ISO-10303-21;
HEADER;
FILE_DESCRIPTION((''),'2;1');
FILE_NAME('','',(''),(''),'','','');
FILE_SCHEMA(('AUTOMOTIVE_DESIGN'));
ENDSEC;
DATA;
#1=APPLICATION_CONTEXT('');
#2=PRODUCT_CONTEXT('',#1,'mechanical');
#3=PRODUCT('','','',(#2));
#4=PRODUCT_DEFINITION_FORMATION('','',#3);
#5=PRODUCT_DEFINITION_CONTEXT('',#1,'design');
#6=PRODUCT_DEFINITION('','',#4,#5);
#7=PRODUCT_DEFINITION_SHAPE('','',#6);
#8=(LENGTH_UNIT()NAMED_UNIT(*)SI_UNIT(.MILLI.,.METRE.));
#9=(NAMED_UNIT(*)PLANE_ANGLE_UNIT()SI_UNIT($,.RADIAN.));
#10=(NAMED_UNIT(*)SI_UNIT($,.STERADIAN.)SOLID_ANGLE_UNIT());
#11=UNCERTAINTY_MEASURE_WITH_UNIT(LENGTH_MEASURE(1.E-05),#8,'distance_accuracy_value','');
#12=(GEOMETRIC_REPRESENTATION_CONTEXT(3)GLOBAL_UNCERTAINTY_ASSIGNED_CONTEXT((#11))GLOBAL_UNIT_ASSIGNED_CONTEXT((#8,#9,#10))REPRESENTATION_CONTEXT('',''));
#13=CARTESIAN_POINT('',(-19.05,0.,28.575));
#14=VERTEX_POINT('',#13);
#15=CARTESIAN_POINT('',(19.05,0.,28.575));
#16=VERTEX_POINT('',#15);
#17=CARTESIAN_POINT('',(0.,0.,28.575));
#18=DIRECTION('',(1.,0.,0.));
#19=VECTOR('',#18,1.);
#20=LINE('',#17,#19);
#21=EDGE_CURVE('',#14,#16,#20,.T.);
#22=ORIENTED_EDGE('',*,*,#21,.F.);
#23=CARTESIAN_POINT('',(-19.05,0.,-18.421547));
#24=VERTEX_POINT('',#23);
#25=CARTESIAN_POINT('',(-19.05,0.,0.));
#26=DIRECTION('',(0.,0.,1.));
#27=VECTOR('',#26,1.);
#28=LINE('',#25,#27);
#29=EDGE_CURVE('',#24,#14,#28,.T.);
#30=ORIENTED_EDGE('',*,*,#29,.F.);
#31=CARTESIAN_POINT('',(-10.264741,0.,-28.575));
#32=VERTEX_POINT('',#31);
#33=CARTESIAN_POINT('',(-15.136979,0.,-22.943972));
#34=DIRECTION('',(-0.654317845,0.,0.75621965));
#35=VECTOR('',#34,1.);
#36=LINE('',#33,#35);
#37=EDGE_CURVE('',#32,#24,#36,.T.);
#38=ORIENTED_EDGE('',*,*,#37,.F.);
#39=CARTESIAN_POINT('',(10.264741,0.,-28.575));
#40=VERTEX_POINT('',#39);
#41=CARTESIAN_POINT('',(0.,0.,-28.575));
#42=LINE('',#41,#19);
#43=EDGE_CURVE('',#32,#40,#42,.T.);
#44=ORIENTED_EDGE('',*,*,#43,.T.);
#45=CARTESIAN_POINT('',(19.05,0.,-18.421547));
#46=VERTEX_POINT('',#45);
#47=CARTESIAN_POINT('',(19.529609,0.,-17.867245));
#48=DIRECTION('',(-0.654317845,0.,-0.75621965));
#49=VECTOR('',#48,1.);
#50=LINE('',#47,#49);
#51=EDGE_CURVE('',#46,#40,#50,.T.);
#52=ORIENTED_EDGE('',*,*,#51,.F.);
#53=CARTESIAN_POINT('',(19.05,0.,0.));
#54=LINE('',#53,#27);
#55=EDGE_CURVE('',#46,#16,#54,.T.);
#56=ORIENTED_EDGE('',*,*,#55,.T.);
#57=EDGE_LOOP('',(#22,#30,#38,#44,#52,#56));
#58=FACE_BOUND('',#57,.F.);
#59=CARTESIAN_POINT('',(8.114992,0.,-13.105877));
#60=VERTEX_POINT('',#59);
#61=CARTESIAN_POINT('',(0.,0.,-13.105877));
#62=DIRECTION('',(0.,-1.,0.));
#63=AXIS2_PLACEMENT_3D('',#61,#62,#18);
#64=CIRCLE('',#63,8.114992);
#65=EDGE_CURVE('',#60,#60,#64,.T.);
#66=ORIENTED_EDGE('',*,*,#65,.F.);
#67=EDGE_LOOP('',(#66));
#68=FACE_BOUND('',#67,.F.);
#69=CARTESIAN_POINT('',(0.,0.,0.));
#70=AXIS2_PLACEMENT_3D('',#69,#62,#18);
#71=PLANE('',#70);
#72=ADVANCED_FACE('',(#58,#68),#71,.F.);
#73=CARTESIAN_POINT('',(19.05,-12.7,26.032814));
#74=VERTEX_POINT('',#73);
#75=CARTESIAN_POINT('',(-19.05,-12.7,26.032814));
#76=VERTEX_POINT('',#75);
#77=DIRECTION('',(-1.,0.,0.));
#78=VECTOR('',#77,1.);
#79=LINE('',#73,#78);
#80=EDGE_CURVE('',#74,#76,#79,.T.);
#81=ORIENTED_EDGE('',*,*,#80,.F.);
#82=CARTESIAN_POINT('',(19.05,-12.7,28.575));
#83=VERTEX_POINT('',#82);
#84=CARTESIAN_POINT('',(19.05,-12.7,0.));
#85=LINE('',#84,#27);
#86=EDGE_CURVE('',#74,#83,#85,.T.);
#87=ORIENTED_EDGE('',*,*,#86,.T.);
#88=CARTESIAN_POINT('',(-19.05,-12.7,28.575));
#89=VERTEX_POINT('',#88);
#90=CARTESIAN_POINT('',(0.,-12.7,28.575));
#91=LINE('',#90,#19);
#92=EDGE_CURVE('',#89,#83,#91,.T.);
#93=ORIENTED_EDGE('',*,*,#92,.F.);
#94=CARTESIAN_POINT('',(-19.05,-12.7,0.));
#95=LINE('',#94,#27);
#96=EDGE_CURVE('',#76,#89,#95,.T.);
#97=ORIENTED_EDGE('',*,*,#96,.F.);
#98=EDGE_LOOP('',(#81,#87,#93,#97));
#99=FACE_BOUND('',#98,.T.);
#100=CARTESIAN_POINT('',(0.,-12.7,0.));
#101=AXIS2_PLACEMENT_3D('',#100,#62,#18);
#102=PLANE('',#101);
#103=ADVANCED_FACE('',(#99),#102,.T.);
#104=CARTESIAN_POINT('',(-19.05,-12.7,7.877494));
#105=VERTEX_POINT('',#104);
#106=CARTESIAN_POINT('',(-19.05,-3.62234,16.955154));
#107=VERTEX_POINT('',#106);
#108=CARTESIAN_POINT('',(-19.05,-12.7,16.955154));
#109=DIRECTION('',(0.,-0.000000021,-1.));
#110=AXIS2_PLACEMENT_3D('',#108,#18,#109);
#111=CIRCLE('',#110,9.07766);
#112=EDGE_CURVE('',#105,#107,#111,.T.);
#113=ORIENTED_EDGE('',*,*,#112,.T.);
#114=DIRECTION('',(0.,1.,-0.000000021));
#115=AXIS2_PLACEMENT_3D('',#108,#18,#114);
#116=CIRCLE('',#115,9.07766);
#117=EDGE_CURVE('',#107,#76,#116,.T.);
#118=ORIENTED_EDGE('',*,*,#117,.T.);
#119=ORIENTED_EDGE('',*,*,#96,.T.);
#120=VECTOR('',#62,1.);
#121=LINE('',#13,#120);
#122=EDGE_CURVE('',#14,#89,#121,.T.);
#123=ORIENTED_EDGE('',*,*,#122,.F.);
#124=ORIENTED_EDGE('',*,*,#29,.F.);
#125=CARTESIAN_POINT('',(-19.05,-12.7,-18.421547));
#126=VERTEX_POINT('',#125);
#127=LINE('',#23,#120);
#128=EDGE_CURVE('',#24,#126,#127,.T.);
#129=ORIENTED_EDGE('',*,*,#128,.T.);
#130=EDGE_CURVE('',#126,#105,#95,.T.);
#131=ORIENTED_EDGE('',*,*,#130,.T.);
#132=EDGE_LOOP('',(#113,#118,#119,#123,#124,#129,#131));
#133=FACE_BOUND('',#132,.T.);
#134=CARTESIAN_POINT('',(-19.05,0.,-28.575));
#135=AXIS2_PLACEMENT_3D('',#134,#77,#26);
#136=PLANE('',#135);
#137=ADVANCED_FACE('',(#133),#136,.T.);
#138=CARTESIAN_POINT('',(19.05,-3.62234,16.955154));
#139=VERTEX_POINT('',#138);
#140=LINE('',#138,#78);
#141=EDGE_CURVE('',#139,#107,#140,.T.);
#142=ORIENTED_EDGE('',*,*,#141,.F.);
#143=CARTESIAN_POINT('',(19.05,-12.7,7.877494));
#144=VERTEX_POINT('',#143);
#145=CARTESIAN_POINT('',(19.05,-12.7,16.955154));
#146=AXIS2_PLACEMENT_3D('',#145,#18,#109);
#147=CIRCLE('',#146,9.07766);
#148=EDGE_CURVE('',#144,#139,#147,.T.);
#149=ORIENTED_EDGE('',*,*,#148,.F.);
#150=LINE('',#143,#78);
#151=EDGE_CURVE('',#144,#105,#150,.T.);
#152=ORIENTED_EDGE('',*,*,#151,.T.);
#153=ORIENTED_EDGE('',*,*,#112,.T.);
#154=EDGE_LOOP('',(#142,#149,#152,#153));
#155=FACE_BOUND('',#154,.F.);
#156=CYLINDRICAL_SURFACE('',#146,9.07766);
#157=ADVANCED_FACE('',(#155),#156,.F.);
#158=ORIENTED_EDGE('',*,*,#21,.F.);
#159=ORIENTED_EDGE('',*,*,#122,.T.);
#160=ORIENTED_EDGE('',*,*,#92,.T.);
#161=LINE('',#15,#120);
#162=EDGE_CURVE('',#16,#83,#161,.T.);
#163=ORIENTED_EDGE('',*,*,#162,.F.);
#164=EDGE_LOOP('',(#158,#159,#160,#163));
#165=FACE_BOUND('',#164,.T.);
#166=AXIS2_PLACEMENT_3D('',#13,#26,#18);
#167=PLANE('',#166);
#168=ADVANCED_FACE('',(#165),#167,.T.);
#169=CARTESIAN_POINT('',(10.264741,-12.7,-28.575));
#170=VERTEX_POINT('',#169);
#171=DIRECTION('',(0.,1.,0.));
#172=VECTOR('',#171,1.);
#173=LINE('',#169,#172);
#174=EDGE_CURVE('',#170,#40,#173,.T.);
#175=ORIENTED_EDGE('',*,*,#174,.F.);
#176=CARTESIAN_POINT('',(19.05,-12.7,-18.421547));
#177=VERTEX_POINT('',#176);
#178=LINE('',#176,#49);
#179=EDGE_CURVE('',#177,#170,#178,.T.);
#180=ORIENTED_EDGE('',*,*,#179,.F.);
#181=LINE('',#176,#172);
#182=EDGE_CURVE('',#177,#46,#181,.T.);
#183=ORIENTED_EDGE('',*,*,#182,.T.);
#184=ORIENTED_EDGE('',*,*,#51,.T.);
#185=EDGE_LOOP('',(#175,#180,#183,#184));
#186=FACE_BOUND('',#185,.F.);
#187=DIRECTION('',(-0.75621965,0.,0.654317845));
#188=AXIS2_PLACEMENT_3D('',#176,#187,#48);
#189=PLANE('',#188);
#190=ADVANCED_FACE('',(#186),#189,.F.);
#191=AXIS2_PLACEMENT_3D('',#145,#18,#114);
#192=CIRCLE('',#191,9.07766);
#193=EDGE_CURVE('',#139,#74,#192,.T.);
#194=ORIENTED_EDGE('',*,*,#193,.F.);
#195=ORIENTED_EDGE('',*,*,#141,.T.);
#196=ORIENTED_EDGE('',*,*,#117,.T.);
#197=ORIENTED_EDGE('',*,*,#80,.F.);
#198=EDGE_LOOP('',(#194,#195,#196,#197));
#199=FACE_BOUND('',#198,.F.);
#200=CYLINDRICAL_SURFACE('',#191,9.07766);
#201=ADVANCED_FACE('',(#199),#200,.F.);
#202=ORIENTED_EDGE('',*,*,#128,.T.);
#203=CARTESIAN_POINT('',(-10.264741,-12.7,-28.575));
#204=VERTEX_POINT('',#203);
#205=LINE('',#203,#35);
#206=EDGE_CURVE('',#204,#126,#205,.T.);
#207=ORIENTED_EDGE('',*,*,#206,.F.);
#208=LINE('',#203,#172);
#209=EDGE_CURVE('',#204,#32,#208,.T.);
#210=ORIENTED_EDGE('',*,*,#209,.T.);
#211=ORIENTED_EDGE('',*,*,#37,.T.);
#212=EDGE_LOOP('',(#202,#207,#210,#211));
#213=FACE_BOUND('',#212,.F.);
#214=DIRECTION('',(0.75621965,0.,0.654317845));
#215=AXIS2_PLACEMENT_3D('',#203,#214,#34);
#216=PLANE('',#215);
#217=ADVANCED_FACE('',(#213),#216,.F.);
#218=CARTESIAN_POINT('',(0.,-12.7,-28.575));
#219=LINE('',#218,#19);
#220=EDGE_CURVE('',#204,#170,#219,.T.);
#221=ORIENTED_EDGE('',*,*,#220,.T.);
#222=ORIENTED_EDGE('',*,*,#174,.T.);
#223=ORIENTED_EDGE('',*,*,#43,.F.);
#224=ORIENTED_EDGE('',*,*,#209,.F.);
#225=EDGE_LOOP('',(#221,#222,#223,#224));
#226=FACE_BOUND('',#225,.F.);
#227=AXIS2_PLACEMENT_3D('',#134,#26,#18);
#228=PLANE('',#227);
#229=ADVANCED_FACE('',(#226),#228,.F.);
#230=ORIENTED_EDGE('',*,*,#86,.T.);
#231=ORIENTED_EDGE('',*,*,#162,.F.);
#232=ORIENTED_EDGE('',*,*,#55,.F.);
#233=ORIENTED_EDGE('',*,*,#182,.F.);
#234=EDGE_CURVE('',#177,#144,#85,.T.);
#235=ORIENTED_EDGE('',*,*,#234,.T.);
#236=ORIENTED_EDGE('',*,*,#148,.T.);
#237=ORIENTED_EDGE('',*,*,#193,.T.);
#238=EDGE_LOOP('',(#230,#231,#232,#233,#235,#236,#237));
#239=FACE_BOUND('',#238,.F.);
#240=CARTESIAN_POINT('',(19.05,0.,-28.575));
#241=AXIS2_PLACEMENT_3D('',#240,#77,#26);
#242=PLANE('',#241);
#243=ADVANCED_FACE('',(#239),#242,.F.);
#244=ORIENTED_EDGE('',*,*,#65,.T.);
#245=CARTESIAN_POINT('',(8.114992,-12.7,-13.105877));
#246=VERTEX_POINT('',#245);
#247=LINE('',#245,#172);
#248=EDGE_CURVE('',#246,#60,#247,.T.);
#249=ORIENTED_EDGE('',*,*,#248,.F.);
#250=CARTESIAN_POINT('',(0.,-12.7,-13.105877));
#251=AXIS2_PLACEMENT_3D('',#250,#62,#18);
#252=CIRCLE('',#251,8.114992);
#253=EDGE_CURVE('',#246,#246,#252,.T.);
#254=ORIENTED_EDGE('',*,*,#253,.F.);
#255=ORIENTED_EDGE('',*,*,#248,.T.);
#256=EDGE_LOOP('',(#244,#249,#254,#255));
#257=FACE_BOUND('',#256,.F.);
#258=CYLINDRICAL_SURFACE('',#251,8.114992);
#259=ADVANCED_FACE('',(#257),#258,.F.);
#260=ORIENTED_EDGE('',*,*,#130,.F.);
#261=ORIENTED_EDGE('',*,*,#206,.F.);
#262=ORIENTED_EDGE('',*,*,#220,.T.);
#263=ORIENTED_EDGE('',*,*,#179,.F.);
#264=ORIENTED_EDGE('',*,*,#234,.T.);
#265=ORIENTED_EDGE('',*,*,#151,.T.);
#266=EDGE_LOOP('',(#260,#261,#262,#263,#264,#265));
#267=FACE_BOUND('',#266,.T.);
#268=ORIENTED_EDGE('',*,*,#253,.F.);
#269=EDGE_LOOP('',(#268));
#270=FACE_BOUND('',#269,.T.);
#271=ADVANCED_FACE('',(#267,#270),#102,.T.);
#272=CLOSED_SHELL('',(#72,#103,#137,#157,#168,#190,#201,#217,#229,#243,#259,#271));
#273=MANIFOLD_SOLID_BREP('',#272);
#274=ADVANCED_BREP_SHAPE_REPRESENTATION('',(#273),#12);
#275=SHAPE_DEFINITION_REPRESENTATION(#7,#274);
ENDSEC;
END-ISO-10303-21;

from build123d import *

# Parameters (mm, degrees)
F0_W      = 38.1
F0_H      = 57.15
F1_DEPTH  = 12.7
F3_DEPTH  = 25.4
F7_DEPTH  = 101.6
F9_DEPTH  = 2.54
F10_R     = 8.114992
F11_DEPTH = 25.4


with BuildPart() as f1:
    # F0 (on Front) → F1 (new body)
    with BuildSketch(Plane.XZ):
        Rectangle(F0_W, F0_H)
    extrude(amount=F1_DEPTH)

    # F2 (on face) → F3 (cut)
    with BuildSketch(Plane.XZ.offset(12.7)):
        Polygon((19.05, -18.421547), (10.264741, -28.575), (19.05, -28.575), align=None)
        Polygon((-19.05, -28.575), (-10.264741, -28.575), (-19.05, -18.421547), align=None)
    extrude(amount=-F3_DEPTH, mode=Mode.SUBTRACT)

    # F5 (on face) → F7 (cut)
    with BuildSketch(Plane.YZ.offset(19.05)):
        with BuildLine():
            ThreePointArc((-12.7, 7.877494), (-6.281125, 10.536279), (-3.62234, 16.955154))
            ThreePointArc((-3.62234, 16.955154), (-6.281125, 23.374029), (-12.7, 26.032814))
            Line((-12.7, 26.032814), (-12.7, 7.877494))
        make_face()
        with BuildLine():
            Line((-12.7, 7.877494), (-12.7, 26.032814))
            ThreePointArc((-12.7, 26.032814), (-21.77766, 16.955154), (-12.7, 7.877494))
        make_face()
    extrude(amount=-F7_DEPTH, mode=Mode.SUBTRACT)

    # F8 (on face) → F9 (join)
    with BuildSketch(Plane(origin=(0, 0, 0), x_dir=(-1, 0, 0), z_dir=(0, 1, 0))):
        Polygon((-19.05, 28.575), (-19.05, -18.421547), (-10.264741, -28.575), (10.264741, -28.575), (19.05, -18.421547), (19.05, 28.575), align=None)
    extrude(amount=-F9_DEPTH)

    # F10 (on face) → F11 (cut)
    with BuildSketch(Plane.XZ.offset(12.7)):
        with Locations((0, -13.105877)):
            Circle(F10_R)
    extrude(amount=-F11_DEPTH, mode=Mode.SUBTRACT)


solid = f1.part
